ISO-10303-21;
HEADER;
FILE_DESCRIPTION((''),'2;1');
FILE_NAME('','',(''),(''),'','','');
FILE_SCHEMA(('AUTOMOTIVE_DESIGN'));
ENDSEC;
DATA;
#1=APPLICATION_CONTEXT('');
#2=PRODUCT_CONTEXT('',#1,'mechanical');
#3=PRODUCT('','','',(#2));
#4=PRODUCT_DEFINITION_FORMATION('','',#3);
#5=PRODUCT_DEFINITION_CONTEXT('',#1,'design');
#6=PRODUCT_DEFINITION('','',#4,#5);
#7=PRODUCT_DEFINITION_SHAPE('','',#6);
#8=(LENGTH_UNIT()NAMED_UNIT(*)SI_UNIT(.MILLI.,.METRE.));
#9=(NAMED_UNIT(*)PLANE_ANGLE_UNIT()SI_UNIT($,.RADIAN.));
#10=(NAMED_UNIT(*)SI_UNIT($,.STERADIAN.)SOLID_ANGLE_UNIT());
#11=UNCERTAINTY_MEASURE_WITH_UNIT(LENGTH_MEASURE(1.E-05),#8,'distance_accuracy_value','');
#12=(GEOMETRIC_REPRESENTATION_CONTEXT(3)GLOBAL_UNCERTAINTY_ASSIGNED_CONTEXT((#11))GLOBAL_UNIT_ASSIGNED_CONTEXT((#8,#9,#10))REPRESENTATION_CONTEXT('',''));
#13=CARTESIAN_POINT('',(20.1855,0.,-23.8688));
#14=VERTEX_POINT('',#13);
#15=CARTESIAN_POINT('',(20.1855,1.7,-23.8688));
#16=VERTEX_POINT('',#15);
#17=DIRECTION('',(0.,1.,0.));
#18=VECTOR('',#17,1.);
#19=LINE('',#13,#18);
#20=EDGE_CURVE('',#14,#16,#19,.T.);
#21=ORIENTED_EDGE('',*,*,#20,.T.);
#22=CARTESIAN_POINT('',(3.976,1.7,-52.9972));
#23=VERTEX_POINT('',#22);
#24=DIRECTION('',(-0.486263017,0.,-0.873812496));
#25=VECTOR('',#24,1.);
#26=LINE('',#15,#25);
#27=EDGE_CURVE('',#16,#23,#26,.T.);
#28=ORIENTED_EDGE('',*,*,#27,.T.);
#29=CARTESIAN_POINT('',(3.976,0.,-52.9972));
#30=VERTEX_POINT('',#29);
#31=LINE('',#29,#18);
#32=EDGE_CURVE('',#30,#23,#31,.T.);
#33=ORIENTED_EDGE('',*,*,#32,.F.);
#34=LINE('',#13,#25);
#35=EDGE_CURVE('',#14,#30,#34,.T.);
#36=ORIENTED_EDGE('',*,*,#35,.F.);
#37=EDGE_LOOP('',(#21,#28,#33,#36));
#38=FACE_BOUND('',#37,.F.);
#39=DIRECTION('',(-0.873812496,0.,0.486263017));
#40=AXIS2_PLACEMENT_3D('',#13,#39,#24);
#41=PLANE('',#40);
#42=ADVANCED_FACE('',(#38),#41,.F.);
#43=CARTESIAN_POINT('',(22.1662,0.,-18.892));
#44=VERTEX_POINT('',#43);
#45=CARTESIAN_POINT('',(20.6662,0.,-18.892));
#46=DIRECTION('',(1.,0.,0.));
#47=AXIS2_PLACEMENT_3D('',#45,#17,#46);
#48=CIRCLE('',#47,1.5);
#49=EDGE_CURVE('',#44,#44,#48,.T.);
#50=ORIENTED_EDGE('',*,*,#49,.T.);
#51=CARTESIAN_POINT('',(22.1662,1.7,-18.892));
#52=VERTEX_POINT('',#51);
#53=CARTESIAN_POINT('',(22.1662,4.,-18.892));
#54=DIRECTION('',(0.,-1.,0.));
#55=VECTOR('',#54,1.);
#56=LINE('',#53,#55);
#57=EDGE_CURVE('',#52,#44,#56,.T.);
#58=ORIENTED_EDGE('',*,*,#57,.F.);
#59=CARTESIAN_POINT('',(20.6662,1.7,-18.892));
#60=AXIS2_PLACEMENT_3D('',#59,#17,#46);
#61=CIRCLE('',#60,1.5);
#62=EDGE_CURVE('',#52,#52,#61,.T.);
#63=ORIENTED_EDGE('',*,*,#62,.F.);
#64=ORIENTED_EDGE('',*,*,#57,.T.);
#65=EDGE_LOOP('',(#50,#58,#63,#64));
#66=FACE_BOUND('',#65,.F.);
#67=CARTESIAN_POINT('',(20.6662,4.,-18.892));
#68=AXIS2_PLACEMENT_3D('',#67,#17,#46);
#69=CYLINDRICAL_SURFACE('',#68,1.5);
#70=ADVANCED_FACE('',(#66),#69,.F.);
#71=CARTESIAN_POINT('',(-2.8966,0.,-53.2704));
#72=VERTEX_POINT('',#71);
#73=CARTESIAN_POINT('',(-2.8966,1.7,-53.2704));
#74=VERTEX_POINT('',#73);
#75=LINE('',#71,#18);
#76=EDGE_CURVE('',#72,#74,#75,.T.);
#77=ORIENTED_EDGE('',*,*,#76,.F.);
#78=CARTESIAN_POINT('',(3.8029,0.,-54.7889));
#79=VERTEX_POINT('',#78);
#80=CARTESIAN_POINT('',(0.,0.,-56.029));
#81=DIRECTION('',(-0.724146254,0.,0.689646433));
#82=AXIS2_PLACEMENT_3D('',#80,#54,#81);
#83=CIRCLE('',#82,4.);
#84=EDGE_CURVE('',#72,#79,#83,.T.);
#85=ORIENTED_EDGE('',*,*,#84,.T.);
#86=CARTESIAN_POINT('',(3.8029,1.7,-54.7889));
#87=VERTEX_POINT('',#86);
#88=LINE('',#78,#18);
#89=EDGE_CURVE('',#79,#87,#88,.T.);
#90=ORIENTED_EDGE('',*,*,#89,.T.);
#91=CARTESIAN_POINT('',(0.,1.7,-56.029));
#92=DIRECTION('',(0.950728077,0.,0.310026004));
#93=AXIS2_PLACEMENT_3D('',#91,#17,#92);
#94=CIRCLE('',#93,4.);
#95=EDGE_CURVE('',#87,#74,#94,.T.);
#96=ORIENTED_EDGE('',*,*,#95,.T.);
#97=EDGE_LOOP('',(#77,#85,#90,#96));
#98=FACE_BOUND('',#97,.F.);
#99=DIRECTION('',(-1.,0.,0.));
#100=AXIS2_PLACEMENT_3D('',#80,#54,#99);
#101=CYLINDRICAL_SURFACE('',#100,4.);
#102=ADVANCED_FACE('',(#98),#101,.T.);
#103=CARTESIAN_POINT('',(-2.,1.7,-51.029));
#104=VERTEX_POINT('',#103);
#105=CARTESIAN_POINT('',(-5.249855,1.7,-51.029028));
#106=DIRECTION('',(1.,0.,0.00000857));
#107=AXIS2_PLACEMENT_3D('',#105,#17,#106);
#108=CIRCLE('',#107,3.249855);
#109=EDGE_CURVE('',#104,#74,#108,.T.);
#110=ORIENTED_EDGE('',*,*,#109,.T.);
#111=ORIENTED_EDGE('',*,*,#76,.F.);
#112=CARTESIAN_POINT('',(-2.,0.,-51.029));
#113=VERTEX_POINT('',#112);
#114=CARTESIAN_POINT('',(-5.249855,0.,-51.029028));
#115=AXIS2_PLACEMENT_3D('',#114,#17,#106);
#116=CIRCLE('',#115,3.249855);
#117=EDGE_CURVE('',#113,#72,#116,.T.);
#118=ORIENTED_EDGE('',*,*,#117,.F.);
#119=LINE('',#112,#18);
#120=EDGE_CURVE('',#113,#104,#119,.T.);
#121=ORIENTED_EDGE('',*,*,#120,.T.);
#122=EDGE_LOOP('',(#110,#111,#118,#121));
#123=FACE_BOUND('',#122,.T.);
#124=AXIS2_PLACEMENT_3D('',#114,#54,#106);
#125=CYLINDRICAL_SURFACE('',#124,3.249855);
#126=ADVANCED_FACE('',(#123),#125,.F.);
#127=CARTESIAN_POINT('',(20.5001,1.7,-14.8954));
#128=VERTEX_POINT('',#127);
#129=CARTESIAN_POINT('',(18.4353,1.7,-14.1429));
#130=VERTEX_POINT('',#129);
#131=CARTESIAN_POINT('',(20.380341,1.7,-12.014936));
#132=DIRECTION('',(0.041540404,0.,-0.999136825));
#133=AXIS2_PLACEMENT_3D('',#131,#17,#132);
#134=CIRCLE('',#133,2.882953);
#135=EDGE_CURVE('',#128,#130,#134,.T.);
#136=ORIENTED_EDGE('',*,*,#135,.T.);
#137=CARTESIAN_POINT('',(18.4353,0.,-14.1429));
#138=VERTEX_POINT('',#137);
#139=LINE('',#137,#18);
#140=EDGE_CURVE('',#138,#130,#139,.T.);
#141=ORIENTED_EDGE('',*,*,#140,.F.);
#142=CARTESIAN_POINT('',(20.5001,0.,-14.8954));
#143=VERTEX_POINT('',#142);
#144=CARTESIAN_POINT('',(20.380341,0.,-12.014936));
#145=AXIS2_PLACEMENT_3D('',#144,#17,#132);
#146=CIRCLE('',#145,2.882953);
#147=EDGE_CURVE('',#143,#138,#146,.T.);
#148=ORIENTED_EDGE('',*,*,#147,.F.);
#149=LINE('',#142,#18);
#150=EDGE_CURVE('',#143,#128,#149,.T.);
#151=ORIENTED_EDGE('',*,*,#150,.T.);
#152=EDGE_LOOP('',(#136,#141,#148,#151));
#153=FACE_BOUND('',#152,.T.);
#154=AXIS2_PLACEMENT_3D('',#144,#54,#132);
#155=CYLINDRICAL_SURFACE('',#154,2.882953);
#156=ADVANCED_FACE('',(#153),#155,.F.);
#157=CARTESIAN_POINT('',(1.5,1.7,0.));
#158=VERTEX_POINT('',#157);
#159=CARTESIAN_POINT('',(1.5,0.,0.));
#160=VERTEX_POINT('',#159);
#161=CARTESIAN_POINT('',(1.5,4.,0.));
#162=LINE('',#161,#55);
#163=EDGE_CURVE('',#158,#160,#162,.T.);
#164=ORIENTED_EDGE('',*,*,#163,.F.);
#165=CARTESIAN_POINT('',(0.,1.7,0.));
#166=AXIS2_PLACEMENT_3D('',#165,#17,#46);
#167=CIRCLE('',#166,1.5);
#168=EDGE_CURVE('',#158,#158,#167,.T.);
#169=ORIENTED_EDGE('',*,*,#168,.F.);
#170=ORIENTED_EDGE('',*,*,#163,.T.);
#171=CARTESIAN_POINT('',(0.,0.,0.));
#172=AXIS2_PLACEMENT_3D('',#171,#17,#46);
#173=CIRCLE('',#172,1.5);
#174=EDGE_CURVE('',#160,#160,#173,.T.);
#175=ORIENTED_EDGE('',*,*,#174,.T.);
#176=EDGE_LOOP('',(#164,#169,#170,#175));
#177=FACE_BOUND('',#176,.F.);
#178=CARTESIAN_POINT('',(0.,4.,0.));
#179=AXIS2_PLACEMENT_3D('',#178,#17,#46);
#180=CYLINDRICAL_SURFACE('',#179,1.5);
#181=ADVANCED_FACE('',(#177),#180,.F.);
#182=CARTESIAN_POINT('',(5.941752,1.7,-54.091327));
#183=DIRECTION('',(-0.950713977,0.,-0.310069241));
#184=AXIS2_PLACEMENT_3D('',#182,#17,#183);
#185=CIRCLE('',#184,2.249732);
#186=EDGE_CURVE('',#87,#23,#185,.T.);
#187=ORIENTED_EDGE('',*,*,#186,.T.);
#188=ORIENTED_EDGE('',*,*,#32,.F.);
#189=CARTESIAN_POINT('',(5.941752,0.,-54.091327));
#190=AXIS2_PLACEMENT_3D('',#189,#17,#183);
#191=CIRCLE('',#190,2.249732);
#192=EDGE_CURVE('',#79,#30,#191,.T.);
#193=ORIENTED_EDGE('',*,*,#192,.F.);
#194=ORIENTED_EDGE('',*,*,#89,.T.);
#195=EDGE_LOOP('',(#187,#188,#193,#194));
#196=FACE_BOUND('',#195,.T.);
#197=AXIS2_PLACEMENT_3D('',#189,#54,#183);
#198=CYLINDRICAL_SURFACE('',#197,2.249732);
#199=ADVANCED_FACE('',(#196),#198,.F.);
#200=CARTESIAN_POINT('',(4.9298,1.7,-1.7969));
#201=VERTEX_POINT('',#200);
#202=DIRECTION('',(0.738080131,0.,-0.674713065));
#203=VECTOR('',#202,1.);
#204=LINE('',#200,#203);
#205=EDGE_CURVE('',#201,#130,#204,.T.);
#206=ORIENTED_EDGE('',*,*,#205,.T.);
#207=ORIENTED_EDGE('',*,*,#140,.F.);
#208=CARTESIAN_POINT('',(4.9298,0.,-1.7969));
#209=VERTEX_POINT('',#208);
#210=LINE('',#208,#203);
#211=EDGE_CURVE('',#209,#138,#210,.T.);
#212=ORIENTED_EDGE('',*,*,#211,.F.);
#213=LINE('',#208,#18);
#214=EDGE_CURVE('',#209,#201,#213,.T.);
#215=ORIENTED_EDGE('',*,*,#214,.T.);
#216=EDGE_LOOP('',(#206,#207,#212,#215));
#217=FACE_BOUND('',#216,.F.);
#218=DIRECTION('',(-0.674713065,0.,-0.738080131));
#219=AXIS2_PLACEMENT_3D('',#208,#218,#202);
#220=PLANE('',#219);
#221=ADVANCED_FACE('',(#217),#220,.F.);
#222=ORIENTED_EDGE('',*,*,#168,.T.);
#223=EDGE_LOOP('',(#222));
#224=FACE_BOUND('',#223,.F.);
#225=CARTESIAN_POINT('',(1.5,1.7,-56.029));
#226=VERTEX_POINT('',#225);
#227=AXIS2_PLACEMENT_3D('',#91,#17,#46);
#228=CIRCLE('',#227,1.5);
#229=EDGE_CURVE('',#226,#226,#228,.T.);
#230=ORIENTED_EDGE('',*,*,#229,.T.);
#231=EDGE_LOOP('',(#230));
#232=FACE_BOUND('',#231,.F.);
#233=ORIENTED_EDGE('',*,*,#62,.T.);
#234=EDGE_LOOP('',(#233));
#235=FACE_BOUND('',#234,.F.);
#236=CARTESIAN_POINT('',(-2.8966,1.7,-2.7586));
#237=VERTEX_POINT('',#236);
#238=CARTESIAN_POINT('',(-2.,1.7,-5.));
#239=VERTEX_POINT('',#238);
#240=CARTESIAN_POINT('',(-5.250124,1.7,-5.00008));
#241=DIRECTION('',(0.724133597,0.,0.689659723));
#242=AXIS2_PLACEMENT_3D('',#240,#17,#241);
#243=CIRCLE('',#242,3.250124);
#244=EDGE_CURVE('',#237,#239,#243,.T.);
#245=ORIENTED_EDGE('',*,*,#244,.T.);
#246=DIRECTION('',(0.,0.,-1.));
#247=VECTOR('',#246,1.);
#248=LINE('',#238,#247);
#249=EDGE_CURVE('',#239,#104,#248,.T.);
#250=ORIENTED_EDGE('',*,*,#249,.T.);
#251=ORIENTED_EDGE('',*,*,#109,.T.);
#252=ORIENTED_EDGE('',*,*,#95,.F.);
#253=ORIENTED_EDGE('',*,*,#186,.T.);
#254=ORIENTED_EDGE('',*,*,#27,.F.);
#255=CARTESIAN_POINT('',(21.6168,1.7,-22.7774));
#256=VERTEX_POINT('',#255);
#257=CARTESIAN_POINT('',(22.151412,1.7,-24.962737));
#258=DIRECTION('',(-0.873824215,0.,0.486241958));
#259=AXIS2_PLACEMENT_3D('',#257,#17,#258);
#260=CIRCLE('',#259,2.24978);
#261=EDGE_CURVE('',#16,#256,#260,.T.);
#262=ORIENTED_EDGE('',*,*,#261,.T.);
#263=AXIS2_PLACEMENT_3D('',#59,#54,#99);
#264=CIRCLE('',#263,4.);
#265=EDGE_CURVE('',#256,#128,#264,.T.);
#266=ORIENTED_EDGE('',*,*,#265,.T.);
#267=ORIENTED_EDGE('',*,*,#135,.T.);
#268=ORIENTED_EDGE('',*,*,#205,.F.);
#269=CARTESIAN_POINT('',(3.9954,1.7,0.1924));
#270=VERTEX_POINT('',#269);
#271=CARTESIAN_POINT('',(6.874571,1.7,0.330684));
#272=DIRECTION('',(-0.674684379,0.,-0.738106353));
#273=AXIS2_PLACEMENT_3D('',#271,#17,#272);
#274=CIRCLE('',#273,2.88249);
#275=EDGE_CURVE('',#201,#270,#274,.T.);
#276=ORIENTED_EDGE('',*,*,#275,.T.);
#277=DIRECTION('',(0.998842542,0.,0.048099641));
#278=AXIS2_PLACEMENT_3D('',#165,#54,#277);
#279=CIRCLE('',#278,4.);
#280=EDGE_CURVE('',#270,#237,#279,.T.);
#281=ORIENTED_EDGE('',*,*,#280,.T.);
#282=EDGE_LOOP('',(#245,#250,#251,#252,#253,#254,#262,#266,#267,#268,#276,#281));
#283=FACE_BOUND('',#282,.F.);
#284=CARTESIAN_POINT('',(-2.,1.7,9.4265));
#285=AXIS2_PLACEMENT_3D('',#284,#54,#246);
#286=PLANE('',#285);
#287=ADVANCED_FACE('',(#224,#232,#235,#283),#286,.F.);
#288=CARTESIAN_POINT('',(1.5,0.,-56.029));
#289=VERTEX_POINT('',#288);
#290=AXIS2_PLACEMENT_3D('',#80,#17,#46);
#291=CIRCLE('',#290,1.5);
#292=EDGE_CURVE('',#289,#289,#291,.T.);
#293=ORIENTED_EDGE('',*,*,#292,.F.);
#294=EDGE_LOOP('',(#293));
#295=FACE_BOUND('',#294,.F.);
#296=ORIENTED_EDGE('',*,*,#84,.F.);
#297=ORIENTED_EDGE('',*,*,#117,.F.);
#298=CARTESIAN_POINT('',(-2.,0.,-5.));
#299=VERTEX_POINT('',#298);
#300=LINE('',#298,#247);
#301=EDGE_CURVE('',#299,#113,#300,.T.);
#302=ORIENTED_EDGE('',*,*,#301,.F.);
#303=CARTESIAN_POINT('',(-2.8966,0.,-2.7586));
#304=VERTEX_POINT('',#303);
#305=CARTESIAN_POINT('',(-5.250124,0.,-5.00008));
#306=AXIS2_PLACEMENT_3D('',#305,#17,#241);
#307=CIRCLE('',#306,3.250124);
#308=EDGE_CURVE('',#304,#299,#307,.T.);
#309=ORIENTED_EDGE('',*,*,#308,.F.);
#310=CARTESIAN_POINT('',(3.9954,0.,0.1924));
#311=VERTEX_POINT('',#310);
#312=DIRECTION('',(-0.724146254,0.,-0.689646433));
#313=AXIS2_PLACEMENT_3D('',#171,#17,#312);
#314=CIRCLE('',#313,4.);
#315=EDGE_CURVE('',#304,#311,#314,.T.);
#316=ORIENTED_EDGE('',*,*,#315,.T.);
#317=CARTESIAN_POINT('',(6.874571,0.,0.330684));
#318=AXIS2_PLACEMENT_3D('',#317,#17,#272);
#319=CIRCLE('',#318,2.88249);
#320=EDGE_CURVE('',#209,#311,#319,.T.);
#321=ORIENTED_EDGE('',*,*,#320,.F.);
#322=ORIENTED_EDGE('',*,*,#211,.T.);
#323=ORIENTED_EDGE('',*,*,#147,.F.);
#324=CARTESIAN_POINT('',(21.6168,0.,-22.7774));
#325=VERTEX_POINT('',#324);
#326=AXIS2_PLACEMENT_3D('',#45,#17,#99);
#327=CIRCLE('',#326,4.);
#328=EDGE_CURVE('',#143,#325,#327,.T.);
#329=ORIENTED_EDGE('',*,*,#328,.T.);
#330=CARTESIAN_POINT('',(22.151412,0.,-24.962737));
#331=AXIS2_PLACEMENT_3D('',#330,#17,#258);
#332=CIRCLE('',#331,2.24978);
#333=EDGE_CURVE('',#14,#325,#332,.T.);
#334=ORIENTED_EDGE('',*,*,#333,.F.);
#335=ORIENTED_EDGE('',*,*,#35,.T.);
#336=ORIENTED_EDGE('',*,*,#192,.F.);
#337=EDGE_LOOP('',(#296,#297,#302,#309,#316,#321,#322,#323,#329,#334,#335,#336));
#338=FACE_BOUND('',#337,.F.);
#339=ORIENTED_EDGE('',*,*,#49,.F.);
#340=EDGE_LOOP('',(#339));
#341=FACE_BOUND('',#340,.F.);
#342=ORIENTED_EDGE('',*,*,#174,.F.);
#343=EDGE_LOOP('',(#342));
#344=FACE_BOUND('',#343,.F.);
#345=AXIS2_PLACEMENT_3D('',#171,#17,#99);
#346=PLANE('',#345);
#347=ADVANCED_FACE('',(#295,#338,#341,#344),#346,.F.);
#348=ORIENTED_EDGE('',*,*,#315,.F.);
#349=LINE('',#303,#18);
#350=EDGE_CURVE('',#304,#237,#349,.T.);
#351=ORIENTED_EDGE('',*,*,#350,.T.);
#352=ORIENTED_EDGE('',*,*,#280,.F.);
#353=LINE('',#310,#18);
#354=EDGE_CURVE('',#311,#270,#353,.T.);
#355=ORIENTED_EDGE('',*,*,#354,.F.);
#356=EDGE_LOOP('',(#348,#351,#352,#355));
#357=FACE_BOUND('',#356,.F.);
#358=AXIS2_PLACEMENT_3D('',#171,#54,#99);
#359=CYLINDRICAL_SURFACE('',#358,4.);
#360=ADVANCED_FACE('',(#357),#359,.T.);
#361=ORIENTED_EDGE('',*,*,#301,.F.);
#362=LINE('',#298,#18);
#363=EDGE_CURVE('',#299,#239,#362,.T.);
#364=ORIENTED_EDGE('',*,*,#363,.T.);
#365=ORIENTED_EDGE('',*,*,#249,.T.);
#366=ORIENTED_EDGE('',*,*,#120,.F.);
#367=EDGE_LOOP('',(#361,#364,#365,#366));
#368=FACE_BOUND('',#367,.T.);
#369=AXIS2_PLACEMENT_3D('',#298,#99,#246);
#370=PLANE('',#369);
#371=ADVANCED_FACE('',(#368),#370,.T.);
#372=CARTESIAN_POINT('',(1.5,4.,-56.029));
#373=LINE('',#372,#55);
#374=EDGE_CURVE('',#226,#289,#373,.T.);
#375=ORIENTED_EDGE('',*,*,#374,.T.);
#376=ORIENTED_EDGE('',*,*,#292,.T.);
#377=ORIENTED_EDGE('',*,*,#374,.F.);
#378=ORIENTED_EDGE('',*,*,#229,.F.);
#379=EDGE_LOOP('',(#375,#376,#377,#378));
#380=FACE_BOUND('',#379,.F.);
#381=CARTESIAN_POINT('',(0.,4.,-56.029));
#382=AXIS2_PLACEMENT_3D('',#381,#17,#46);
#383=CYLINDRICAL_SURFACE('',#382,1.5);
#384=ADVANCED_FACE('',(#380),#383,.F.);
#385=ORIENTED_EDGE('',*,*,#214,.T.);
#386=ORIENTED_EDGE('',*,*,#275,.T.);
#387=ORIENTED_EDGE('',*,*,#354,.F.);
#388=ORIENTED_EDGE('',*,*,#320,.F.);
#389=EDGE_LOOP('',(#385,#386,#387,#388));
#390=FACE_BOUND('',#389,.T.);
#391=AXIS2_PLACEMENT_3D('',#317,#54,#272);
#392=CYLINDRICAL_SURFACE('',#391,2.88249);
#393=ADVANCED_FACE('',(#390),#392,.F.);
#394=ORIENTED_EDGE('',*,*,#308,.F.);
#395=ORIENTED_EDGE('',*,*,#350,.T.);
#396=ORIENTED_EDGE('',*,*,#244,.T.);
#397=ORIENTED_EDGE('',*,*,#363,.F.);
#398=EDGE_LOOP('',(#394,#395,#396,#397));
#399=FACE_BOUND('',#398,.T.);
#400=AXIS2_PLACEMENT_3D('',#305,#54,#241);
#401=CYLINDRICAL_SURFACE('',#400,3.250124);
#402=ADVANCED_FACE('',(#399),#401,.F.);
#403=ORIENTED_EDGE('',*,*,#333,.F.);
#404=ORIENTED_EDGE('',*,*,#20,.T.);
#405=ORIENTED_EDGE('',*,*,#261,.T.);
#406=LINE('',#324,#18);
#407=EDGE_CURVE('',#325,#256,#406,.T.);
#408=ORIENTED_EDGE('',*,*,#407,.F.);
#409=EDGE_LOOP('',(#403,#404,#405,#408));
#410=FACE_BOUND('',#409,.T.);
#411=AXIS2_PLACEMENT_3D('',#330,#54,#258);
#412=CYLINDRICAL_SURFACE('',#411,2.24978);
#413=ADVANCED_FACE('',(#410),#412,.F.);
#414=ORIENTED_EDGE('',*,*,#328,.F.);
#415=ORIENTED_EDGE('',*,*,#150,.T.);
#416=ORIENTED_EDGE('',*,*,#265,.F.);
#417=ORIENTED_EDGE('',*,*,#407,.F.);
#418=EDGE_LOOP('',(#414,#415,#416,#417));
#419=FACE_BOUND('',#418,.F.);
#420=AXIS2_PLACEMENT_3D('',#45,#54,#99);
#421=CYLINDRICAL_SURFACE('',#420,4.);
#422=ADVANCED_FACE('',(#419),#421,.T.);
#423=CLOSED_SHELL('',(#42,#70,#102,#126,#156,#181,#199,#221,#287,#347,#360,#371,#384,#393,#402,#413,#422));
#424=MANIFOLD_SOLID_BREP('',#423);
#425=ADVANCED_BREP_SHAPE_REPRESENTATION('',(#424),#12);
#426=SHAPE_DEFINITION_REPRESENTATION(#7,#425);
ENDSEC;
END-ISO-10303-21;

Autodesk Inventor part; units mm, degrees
ref_plane "YZ Plane" through (0, 0, 0) normal (1, 0, 0) x (0, 1, 0)
ref_plane "XZ Plane" through (0, 0, 0) normal (0, 1, 0) x (-1, 0, 0)
ref_plane "XY Plane" through (0, 0, 0) normal (0, 0, 1) x (1, 0, 0)
sketch "Sketch1" plane through (0, 0, 0) normal (0, 1, 0) x (-1, 0, 0)
  circle A0 centre (0, 0) radius 4
  line L0 (2, -5) -> (2, -51.029)
  line L1 (-2, -7.543) -> (-2, -44.0823)
  circle A1 centre (0, -56.029) radius 4
  circle A2 centre (-20.6662, -18.892) radius 4
  line L2 (-4.2179, -6.5655) -> (-15.9345, -17.2762)
  line L3 (-4.9298, -1.7969) -> (-18.4353, -14.1429)
  line L4 (-16.6903, -21.9238) -> (-4.0616, -44.6173)
  line L5 (-20.1855, -23.8688) -> (-3.976, -52.9972)
  arc A3 (2.8966, -2.7586) -> (2, -5) centre (5.25, -5) ccw
  arc A4 (2, -51.029) -> (2.8966, -53.2704) centre (5.25, -51.029) ccw
  arc A5 (-4.9298, -1.7969) -> (-3.9954, 0.1924) centre (-6.875, 0.331) ccw
  arc A6 (-20.5001, -14.8954) -> (-18.4353, -14.1429) centre (-20.3803, -12.0152) ccw
  line L6 (0, 0) -> (-20.6662, -18.892) construction
  line L7 (-20.6662, -18.892) -> (0, -56.029) construction
  arc A7 (-15.9345, -17.2762) -> (-16.6663, -18.9207) centre (-14.4164, -18.9369) ccw
  arc A8 (-16.8633, -20.1321) -> (-16.6903, -21.9238) centre (-14.7242, -20.8297) ccw
  arc A9 (-2, -7.543) -> (-4.2179, -6.5655) centre (-3.3243, -7.543) ccw
  arc A10 (-4.0616, -44.6173) -> (-2, -44.0823) centre (-3.1002, -44.0823) ccw
  arc A11 (-20.1855, -23.8688) -> (-21.6168, -22.7774) centre (-22.1516, -24.9629) ccw
  arc A12 (-3.8029, -54.7889) -> (-3.976, -52.9972) centre (-5.942, -54.0913) ccw
  point P0 (-21.4801, -12.8095)
  dimension "d0" = 8
  dimension "d1" = 8
  dimension "d2" = 8
  dimension "d4" = 42.5
  dimension "d5" = 28
  dimension "d6" = 2
  dimension "d7" = 2
  dimension "d8" = 5
  dimension "d10" = 5
  dimension "d11" = 0
  dimension "d12" = 5.2471
  dimension "d14" = 5.247
  dimension "d15" = 2
  dimension "d16" = 2
  dimension "d17" = 2
  dimension "d18" = 2
  dimension "d19" = 4
  dimension "d20" = 5
  dimension "d21" = 5
  dimension "d22" = 5
  dimension "d23" = 1.1002
  dimension "d24" = 1.3243
  dimension "d38" = 56.029
extrude "Extrusion1" add sketch "Sketch1" along normal blind 4 contours A0 | A2 | A1
extrude "Extrusion2" add sketch "Sketch1" along normal blind 1.7 contours A0 A3 L0 A4 A1 A12 L5 A11 A2 A8 L4 A10 L1 A9 L2 A7 A6 L3 A5 | A7 L2 A9 L1 A10 L4 A8 A2
sketch "Sketch2" plane through (0, 4, 0) normal (0, 1, 0) x (1, 0, 0)
  circle A0 centre (0, 0) radius 4 projected
  circle A1 centre (0, 0) radius 1.5
  circle A2 centre (20.6662, 18.892) radius 4 projected
  circle A3 centre (20.6662, 18.892) radius 1.5
  circle A4 centre (0, 56.029) radius 1.5
  circle A5 centre (0, 56.029) radius 4 projected
  dimension "d29" = 3
  dimension "d30" = 3
  dimension "d31" = 3
  dimension "d36" = 0
extrude "Extrusion3" cut sketch "Sketch2" against normal blind 4 contours A1 | A3 | A4
sketch "Sketch3" plane through (-2, 0, -51.029) normal (-1, 0, 0) x (0, 0, 1)
  line L0 (60.4555, 1.7) -> (-13.4083, 1.7)
  line L1 (-13.4083, 1.7) -> (-13.4083, 27.1644)
  line L2 (-13.4083, 27.1644) -> (60.4555, 27.1644)
  line L3 (60.4555, 27.1644) -> (60.4555, 1.7)
  point P0 (51.029, 0)
extrude "Extrusion4" cut sketch "Sketch3" along normal mid plane 100
equation "\"BendRadius\" = Thickness"
equation "\"BendReliefWidth\" = Thickness"
equation "\"BendReliefDepth\" = 0.5 * Thickness"
equation "\"CornerReliefSize\" = 4 * Thickness"
equation "\"MinimumRemnant\" = 2 * Thickness"
equation "\"TransitionRadius\" = BendRadius"
equation "\"JacobiRadiusSize\" = BendRadius"
equation "\"GapSize\" = Thickness"
equation "\"Thickness\" = 3.048"
properties part number "A2P2"
